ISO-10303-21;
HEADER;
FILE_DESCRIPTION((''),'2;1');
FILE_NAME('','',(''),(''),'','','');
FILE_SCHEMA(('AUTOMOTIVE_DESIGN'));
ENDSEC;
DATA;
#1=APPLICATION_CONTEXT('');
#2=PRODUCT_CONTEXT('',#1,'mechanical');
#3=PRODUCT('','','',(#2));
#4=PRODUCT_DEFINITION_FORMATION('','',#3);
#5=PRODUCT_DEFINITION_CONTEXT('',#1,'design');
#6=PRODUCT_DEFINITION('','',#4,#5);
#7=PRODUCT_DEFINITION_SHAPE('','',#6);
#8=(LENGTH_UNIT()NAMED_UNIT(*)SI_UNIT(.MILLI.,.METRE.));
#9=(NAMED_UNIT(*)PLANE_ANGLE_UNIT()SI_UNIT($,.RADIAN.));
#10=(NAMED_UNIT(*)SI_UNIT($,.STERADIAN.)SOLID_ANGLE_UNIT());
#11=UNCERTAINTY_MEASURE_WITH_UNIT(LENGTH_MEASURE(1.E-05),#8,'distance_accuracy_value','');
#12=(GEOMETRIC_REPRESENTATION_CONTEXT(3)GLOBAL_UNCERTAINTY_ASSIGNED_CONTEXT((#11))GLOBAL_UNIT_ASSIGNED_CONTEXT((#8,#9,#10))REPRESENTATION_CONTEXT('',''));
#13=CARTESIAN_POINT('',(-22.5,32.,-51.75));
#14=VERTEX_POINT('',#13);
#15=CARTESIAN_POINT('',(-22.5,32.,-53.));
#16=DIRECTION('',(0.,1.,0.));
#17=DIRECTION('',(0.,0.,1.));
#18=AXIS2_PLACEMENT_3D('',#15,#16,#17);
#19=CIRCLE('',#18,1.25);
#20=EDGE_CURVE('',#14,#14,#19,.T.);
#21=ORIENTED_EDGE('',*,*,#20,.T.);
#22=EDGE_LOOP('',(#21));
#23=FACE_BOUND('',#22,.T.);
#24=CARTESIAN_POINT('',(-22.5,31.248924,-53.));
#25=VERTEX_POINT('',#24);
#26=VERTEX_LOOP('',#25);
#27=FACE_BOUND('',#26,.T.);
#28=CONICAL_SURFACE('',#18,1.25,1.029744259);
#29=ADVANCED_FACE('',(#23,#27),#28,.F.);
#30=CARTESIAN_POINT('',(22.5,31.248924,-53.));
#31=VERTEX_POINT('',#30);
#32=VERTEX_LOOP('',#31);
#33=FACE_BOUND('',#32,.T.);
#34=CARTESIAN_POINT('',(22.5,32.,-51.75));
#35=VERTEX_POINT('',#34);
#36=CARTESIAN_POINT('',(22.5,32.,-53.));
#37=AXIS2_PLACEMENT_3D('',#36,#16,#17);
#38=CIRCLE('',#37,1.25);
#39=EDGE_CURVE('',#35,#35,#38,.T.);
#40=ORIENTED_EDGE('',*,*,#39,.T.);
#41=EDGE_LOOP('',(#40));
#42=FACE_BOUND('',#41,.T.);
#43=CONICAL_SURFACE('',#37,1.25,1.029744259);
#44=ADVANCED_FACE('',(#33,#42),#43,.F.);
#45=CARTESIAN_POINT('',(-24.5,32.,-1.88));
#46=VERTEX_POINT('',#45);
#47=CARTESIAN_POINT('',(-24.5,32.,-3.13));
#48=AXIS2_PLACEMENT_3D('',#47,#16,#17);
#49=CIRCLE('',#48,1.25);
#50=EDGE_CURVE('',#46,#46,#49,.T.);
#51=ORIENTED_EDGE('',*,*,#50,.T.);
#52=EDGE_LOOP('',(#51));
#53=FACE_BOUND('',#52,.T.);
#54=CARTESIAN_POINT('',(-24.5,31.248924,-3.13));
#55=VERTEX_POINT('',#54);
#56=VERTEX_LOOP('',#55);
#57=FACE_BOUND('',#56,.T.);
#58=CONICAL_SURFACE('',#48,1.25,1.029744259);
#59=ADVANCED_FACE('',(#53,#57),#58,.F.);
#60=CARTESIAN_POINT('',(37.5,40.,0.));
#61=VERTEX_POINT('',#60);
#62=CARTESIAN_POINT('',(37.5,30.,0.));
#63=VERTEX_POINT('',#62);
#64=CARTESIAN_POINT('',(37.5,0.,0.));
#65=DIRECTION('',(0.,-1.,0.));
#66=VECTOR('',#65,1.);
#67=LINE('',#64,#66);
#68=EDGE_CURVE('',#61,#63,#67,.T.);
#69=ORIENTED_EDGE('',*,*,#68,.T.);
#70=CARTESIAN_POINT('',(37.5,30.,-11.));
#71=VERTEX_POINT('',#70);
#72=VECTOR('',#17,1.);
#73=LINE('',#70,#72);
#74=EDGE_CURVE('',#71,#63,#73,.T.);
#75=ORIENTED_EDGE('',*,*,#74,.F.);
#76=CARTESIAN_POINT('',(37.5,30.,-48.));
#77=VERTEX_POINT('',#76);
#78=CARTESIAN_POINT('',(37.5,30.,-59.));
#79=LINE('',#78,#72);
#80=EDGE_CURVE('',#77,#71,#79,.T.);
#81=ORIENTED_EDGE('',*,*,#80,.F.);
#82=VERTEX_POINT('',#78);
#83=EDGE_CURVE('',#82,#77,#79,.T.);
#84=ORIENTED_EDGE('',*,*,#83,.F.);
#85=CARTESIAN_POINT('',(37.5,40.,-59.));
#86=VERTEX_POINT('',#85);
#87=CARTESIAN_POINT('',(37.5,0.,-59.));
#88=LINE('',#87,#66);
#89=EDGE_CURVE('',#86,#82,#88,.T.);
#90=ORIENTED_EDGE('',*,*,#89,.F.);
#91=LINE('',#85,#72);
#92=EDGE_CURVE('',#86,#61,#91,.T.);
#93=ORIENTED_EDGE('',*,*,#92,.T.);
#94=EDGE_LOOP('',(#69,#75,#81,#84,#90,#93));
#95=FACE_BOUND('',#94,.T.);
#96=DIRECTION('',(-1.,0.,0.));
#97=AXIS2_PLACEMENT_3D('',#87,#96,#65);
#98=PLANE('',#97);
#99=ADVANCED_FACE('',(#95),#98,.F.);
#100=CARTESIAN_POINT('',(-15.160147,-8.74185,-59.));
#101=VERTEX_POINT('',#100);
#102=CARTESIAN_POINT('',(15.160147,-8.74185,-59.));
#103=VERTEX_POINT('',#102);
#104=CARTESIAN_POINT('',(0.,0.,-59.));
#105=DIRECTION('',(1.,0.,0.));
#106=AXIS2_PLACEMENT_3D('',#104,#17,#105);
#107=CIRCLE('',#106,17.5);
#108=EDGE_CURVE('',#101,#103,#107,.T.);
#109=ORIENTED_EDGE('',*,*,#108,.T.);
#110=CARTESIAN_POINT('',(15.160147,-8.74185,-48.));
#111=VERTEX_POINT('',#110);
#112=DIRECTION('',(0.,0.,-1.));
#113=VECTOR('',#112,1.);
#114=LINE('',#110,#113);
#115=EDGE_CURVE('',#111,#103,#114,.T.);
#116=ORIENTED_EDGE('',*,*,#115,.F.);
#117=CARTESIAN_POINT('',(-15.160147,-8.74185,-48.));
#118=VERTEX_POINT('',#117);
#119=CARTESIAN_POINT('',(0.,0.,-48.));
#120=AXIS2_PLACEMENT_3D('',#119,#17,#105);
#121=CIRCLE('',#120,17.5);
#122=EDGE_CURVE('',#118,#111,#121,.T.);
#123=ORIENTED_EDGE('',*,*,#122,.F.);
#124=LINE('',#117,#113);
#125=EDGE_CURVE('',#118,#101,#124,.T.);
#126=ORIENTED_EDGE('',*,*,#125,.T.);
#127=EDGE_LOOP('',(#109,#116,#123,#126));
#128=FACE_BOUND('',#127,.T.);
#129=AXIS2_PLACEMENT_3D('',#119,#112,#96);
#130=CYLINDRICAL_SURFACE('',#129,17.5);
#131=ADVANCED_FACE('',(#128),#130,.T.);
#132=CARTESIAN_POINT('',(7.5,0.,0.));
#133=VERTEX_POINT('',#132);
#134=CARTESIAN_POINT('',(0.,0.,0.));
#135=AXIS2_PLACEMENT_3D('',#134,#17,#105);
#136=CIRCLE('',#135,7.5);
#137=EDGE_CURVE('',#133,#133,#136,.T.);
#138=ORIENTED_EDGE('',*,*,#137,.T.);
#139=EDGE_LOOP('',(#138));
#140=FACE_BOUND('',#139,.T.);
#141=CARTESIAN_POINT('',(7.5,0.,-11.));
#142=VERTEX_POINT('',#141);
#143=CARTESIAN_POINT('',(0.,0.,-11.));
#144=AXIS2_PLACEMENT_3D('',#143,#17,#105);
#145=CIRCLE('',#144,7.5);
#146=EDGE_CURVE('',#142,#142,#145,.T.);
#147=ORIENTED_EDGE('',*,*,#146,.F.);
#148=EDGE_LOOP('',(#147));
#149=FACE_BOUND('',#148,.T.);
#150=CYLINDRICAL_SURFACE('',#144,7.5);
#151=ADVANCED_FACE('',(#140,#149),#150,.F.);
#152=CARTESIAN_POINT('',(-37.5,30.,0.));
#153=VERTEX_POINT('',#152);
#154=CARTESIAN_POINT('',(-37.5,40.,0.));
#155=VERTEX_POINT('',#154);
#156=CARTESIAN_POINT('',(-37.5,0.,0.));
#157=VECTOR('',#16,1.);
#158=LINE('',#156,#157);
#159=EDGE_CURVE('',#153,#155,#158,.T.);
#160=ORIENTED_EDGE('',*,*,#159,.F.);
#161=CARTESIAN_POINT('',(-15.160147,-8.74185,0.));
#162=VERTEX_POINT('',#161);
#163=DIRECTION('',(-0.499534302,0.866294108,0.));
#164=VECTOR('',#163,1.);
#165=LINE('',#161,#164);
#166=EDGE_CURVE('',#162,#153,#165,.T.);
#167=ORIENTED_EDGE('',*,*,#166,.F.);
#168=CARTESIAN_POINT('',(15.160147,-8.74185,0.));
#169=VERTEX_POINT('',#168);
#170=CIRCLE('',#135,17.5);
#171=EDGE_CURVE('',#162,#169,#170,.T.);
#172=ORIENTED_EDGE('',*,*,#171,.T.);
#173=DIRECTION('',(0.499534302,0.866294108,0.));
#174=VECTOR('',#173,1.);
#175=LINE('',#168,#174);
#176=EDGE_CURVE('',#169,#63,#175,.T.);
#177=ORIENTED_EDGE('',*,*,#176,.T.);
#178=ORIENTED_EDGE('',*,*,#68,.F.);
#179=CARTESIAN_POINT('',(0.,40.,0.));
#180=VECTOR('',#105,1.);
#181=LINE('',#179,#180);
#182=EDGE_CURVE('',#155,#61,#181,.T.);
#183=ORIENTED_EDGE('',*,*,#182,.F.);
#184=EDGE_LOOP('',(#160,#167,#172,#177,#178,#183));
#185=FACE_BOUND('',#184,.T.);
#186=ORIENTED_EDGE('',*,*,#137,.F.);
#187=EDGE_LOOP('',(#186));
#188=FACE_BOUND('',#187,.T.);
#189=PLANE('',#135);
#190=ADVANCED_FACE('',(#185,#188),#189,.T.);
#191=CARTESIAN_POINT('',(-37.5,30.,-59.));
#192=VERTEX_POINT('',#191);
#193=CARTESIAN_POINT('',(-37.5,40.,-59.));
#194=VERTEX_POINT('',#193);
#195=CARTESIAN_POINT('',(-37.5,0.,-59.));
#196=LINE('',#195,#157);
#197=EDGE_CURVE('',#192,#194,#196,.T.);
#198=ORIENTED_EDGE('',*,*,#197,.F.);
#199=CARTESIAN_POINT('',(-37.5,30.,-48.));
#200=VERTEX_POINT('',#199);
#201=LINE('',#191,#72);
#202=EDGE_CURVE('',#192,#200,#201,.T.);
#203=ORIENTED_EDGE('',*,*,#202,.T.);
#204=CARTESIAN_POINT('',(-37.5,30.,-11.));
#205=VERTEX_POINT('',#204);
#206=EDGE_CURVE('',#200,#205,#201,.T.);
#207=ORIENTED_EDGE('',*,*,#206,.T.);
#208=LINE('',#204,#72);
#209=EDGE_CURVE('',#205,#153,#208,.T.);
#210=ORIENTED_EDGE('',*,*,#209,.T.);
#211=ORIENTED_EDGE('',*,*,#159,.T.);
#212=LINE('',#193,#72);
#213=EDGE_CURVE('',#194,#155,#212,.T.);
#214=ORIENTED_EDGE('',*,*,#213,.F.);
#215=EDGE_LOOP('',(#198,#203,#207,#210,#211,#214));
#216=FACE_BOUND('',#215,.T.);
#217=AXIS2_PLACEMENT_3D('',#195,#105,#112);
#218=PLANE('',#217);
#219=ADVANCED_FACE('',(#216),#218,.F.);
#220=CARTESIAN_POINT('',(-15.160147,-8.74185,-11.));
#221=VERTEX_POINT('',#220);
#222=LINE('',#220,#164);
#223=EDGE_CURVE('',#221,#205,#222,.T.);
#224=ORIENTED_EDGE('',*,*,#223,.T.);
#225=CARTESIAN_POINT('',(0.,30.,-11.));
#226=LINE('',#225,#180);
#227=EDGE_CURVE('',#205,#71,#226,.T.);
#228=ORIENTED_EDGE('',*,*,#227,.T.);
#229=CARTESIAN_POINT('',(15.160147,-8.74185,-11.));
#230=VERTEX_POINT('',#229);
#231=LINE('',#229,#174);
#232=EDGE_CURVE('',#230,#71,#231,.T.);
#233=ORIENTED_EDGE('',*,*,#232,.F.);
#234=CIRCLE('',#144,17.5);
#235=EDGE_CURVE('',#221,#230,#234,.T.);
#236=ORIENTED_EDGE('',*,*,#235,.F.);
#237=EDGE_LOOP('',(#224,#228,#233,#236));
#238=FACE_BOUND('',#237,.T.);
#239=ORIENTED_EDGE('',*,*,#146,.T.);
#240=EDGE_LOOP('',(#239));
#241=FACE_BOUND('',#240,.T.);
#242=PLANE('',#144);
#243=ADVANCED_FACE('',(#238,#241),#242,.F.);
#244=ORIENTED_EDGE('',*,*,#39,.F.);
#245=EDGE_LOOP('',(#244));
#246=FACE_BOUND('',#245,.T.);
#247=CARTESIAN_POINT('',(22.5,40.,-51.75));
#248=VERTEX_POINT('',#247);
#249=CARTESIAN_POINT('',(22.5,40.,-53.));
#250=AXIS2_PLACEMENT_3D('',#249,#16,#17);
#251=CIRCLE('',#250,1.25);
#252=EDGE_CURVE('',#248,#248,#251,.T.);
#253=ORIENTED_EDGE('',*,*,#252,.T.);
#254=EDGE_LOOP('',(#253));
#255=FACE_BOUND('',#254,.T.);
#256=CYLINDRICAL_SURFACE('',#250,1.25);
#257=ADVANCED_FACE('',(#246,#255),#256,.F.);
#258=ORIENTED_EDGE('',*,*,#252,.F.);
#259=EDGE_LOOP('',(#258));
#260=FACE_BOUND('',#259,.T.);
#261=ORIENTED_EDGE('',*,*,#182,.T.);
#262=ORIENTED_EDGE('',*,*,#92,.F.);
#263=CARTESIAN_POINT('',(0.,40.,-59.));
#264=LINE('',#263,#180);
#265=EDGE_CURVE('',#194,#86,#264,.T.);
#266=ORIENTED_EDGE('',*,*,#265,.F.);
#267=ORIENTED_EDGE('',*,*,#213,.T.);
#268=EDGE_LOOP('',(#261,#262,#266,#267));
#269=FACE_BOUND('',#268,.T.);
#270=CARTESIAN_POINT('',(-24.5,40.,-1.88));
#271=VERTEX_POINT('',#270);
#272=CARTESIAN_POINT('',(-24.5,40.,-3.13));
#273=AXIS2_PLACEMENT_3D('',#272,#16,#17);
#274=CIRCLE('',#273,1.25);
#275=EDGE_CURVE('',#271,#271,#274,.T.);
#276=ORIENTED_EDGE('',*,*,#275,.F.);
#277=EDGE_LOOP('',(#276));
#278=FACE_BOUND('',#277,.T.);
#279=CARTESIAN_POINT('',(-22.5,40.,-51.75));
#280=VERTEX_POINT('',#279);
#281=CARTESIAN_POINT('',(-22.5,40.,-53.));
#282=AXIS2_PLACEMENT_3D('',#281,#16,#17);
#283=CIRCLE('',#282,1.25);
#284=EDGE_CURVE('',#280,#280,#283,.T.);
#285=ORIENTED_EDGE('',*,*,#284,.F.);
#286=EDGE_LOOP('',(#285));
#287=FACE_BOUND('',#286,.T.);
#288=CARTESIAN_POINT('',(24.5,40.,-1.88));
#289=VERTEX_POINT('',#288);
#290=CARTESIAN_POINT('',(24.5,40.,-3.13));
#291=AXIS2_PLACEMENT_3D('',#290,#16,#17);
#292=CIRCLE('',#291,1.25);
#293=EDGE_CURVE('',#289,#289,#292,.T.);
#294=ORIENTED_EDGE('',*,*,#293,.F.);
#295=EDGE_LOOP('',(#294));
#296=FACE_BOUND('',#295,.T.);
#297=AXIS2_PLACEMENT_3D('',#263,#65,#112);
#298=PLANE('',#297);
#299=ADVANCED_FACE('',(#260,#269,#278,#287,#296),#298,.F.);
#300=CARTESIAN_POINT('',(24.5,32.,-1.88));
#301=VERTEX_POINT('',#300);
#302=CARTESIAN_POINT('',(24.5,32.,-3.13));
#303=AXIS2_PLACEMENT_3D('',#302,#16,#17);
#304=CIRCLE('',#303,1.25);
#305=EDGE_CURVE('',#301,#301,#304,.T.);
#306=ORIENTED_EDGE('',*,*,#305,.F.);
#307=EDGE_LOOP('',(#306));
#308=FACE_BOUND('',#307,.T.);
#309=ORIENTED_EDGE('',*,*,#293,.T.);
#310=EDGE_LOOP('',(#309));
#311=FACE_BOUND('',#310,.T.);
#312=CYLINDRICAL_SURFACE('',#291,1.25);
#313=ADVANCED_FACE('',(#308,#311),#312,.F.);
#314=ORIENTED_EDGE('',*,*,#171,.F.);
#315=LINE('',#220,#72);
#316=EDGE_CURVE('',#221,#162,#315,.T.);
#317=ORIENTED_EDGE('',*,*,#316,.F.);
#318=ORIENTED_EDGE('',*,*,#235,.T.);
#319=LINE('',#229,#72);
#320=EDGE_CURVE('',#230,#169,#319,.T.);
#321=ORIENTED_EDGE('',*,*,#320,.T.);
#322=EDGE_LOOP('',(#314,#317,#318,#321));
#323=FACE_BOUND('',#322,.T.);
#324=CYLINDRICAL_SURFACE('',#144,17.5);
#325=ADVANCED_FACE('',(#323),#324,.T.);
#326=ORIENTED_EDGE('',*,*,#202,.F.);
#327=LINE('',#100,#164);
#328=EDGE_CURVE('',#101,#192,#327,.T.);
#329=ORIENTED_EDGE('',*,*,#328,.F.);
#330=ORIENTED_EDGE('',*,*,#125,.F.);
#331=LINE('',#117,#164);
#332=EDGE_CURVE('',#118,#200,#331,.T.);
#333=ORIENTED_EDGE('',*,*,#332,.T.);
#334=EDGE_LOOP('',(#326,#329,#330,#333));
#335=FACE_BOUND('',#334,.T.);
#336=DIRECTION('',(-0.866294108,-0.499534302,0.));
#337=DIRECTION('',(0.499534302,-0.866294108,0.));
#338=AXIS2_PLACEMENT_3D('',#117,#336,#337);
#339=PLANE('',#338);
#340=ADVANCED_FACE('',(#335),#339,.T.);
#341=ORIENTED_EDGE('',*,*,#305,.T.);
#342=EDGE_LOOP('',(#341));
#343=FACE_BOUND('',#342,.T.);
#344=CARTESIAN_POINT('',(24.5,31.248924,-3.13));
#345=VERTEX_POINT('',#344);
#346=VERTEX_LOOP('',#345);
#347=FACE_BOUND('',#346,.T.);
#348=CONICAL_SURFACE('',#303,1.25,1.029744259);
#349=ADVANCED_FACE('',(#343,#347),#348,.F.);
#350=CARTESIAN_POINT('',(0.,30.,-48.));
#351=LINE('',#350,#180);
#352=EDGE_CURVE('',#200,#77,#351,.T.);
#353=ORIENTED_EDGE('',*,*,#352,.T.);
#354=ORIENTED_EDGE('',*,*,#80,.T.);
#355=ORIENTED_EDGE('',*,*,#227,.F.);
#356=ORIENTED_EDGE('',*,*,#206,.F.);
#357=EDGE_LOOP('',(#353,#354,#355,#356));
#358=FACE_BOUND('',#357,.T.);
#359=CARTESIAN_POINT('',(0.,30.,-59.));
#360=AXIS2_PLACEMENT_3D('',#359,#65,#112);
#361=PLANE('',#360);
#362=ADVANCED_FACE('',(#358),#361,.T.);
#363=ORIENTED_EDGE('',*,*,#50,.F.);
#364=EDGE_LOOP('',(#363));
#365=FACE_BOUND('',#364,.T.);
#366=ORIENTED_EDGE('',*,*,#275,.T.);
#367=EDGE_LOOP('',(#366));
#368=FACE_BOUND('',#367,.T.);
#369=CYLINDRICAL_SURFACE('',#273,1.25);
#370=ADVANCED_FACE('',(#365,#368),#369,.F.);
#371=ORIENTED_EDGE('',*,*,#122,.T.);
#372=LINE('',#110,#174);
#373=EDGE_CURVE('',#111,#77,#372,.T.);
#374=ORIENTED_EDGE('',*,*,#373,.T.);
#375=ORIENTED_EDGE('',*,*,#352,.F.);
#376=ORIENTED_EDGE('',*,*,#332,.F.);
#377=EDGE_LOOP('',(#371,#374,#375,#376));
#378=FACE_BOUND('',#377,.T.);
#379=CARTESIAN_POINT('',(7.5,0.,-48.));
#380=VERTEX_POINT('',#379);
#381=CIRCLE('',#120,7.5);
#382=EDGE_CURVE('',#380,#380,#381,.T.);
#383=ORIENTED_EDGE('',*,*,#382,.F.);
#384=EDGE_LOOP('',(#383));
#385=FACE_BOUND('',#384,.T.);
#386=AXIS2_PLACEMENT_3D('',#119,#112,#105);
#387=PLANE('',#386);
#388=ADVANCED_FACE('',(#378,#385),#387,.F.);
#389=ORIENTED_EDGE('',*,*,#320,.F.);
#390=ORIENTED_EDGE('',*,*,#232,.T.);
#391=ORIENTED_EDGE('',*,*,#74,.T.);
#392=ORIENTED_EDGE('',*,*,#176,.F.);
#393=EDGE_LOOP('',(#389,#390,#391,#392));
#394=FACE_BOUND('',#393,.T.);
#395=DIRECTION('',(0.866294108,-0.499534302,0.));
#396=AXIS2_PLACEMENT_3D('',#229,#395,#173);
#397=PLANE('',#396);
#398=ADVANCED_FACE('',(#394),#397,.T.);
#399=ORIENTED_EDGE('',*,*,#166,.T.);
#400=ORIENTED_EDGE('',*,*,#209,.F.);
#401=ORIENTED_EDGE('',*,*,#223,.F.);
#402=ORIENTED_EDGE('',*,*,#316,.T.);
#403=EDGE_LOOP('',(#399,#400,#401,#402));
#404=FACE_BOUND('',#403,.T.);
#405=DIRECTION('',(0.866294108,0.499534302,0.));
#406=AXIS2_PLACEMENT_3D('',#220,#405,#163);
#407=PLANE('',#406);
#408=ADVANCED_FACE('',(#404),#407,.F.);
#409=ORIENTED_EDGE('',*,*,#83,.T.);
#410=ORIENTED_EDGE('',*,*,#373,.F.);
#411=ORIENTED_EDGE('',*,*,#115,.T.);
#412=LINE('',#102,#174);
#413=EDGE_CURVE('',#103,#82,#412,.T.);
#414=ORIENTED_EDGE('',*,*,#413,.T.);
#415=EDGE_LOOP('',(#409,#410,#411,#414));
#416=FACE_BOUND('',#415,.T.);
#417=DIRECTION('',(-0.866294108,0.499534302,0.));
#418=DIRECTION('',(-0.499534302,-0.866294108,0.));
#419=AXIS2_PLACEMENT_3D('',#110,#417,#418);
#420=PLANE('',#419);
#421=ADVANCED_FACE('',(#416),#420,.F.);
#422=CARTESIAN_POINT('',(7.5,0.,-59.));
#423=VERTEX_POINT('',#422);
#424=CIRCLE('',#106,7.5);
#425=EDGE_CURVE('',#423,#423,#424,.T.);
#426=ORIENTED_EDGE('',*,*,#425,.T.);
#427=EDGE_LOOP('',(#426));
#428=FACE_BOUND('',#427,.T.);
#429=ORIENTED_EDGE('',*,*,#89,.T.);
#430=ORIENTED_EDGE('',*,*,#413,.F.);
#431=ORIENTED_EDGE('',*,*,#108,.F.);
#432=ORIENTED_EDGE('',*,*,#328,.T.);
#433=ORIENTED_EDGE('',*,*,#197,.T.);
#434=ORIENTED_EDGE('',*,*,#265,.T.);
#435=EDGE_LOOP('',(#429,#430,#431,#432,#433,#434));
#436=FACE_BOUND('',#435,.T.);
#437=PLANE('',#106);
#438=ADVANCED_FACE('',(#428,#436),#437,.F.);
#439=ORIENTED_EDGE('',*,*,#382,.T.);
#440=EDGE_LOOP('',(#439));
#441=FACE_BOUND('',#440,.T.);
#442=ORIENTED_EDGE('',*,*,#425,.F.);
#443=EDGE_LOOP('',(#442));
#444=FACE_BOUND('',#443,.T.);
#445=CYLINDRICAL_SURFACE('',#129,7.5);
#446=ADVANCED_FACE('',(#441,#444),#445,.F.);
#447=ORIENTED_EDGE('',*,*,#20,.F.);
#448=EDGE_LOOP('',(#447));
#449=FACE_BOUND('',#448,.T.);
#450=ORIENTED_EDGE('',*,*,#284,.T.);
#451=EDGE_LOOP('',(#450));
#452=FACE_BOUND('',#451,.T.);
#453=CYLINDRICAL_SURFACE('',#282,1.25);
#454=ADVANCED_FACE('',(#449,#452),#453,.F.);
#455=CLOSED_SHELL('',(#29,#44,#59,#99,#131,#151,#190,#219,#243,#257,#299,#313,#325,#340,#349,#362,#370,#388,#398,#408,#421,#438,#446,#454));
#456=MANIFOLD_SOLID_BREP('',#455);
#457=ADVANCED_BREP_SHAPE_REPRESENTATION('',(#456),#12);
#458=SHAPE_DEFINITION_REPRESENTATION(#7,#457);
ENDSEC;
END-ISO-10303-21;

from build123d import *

# Parameters (mm, degrees)
SKETCH1_R                       = 7.5
BOSS_EXTRUDE1_DEPTH             = 11
SKETCH1_3_W                     = 75
SKETCH1_3_H                     = 10
BOSS_EXTRUDE2_DEPTH             = 59
TAP_DRILL_FOR_M3X0_5_TAP1_D     = 2.5
TAP_DRILL_FOR_M3X0_5_TAP1_DEPTH = 8
TAP_DRILL_FOR_M3X0_5_TAP1_TIP   = 0.751075774


with BuildPart() as part:
    # Sketch1 → Boss-Extrude1 (new body)
    with BuildSketch(Plane.XY):
        with BuildLine():
            Line((37.5, 30), (-37.5, 30))
            Line((-37.5, 30), (-15.160146889, -8.741850278))
            ThreePointArc((-15.160146889, -8.741850278), (0, -17.5), (15.160146889, -8.741850278))
            Line((15.160146889, -8.741850278), (37.5, 30))
        make_face()
        Circle(SKETCH1_R, mode=Mode.SUBTRACT)
    boss_extrude1 = extrude(amount=-BOSS_EXTRUDE1_DEPTH)

    # Sketch1<3> → Boss-Extrude2 (add)
    with BuildSketch(Plane.XY):
        with Locations((0, 35)):
            Rectangle(SKETCH1_3_W, SKETCH1_3_H)
    extrude(amount=-BOSS_EXTRUDE2_DEPTH)

    # Mirror2: Boss-Extrude1 across plane
    add(boss_extrude1.mirror(Plane.XY.offset(-29.5)))

    # Tap Drill for M3x0.5 Tap1
    with Locations(Plane(origin=(0, 40, 0), x_dir=(1, 0, 0), z_dir=(0, 1, 0))):
        with Locations((-22.5, 53), (22.5, 53), (-24.5, 3.13), (24.5, 3.13)):
            Hole(TAP_DRILL_FOR_M3X0_5_TAP1_D / 2, depth=TAP_DRILL_FOR_M3X0_5_TAP1_DEPTH)
            with Locations((0, 0, -(TAP_DRILL_FOR_M3X0_5_TAP1_DEPTH + TAP_DRILL_FOR_M3X0_5_TAP1_TIP / 2))):  # 118° drill point
                Cone(0, TAP_DRILL_FOR_M3X0_5_TAP1_D / 2, TAP_DRILL_FOR_M3X0_5_TAP1_TIP, mode=Mode.SUBTRACT)


solid = part.part
